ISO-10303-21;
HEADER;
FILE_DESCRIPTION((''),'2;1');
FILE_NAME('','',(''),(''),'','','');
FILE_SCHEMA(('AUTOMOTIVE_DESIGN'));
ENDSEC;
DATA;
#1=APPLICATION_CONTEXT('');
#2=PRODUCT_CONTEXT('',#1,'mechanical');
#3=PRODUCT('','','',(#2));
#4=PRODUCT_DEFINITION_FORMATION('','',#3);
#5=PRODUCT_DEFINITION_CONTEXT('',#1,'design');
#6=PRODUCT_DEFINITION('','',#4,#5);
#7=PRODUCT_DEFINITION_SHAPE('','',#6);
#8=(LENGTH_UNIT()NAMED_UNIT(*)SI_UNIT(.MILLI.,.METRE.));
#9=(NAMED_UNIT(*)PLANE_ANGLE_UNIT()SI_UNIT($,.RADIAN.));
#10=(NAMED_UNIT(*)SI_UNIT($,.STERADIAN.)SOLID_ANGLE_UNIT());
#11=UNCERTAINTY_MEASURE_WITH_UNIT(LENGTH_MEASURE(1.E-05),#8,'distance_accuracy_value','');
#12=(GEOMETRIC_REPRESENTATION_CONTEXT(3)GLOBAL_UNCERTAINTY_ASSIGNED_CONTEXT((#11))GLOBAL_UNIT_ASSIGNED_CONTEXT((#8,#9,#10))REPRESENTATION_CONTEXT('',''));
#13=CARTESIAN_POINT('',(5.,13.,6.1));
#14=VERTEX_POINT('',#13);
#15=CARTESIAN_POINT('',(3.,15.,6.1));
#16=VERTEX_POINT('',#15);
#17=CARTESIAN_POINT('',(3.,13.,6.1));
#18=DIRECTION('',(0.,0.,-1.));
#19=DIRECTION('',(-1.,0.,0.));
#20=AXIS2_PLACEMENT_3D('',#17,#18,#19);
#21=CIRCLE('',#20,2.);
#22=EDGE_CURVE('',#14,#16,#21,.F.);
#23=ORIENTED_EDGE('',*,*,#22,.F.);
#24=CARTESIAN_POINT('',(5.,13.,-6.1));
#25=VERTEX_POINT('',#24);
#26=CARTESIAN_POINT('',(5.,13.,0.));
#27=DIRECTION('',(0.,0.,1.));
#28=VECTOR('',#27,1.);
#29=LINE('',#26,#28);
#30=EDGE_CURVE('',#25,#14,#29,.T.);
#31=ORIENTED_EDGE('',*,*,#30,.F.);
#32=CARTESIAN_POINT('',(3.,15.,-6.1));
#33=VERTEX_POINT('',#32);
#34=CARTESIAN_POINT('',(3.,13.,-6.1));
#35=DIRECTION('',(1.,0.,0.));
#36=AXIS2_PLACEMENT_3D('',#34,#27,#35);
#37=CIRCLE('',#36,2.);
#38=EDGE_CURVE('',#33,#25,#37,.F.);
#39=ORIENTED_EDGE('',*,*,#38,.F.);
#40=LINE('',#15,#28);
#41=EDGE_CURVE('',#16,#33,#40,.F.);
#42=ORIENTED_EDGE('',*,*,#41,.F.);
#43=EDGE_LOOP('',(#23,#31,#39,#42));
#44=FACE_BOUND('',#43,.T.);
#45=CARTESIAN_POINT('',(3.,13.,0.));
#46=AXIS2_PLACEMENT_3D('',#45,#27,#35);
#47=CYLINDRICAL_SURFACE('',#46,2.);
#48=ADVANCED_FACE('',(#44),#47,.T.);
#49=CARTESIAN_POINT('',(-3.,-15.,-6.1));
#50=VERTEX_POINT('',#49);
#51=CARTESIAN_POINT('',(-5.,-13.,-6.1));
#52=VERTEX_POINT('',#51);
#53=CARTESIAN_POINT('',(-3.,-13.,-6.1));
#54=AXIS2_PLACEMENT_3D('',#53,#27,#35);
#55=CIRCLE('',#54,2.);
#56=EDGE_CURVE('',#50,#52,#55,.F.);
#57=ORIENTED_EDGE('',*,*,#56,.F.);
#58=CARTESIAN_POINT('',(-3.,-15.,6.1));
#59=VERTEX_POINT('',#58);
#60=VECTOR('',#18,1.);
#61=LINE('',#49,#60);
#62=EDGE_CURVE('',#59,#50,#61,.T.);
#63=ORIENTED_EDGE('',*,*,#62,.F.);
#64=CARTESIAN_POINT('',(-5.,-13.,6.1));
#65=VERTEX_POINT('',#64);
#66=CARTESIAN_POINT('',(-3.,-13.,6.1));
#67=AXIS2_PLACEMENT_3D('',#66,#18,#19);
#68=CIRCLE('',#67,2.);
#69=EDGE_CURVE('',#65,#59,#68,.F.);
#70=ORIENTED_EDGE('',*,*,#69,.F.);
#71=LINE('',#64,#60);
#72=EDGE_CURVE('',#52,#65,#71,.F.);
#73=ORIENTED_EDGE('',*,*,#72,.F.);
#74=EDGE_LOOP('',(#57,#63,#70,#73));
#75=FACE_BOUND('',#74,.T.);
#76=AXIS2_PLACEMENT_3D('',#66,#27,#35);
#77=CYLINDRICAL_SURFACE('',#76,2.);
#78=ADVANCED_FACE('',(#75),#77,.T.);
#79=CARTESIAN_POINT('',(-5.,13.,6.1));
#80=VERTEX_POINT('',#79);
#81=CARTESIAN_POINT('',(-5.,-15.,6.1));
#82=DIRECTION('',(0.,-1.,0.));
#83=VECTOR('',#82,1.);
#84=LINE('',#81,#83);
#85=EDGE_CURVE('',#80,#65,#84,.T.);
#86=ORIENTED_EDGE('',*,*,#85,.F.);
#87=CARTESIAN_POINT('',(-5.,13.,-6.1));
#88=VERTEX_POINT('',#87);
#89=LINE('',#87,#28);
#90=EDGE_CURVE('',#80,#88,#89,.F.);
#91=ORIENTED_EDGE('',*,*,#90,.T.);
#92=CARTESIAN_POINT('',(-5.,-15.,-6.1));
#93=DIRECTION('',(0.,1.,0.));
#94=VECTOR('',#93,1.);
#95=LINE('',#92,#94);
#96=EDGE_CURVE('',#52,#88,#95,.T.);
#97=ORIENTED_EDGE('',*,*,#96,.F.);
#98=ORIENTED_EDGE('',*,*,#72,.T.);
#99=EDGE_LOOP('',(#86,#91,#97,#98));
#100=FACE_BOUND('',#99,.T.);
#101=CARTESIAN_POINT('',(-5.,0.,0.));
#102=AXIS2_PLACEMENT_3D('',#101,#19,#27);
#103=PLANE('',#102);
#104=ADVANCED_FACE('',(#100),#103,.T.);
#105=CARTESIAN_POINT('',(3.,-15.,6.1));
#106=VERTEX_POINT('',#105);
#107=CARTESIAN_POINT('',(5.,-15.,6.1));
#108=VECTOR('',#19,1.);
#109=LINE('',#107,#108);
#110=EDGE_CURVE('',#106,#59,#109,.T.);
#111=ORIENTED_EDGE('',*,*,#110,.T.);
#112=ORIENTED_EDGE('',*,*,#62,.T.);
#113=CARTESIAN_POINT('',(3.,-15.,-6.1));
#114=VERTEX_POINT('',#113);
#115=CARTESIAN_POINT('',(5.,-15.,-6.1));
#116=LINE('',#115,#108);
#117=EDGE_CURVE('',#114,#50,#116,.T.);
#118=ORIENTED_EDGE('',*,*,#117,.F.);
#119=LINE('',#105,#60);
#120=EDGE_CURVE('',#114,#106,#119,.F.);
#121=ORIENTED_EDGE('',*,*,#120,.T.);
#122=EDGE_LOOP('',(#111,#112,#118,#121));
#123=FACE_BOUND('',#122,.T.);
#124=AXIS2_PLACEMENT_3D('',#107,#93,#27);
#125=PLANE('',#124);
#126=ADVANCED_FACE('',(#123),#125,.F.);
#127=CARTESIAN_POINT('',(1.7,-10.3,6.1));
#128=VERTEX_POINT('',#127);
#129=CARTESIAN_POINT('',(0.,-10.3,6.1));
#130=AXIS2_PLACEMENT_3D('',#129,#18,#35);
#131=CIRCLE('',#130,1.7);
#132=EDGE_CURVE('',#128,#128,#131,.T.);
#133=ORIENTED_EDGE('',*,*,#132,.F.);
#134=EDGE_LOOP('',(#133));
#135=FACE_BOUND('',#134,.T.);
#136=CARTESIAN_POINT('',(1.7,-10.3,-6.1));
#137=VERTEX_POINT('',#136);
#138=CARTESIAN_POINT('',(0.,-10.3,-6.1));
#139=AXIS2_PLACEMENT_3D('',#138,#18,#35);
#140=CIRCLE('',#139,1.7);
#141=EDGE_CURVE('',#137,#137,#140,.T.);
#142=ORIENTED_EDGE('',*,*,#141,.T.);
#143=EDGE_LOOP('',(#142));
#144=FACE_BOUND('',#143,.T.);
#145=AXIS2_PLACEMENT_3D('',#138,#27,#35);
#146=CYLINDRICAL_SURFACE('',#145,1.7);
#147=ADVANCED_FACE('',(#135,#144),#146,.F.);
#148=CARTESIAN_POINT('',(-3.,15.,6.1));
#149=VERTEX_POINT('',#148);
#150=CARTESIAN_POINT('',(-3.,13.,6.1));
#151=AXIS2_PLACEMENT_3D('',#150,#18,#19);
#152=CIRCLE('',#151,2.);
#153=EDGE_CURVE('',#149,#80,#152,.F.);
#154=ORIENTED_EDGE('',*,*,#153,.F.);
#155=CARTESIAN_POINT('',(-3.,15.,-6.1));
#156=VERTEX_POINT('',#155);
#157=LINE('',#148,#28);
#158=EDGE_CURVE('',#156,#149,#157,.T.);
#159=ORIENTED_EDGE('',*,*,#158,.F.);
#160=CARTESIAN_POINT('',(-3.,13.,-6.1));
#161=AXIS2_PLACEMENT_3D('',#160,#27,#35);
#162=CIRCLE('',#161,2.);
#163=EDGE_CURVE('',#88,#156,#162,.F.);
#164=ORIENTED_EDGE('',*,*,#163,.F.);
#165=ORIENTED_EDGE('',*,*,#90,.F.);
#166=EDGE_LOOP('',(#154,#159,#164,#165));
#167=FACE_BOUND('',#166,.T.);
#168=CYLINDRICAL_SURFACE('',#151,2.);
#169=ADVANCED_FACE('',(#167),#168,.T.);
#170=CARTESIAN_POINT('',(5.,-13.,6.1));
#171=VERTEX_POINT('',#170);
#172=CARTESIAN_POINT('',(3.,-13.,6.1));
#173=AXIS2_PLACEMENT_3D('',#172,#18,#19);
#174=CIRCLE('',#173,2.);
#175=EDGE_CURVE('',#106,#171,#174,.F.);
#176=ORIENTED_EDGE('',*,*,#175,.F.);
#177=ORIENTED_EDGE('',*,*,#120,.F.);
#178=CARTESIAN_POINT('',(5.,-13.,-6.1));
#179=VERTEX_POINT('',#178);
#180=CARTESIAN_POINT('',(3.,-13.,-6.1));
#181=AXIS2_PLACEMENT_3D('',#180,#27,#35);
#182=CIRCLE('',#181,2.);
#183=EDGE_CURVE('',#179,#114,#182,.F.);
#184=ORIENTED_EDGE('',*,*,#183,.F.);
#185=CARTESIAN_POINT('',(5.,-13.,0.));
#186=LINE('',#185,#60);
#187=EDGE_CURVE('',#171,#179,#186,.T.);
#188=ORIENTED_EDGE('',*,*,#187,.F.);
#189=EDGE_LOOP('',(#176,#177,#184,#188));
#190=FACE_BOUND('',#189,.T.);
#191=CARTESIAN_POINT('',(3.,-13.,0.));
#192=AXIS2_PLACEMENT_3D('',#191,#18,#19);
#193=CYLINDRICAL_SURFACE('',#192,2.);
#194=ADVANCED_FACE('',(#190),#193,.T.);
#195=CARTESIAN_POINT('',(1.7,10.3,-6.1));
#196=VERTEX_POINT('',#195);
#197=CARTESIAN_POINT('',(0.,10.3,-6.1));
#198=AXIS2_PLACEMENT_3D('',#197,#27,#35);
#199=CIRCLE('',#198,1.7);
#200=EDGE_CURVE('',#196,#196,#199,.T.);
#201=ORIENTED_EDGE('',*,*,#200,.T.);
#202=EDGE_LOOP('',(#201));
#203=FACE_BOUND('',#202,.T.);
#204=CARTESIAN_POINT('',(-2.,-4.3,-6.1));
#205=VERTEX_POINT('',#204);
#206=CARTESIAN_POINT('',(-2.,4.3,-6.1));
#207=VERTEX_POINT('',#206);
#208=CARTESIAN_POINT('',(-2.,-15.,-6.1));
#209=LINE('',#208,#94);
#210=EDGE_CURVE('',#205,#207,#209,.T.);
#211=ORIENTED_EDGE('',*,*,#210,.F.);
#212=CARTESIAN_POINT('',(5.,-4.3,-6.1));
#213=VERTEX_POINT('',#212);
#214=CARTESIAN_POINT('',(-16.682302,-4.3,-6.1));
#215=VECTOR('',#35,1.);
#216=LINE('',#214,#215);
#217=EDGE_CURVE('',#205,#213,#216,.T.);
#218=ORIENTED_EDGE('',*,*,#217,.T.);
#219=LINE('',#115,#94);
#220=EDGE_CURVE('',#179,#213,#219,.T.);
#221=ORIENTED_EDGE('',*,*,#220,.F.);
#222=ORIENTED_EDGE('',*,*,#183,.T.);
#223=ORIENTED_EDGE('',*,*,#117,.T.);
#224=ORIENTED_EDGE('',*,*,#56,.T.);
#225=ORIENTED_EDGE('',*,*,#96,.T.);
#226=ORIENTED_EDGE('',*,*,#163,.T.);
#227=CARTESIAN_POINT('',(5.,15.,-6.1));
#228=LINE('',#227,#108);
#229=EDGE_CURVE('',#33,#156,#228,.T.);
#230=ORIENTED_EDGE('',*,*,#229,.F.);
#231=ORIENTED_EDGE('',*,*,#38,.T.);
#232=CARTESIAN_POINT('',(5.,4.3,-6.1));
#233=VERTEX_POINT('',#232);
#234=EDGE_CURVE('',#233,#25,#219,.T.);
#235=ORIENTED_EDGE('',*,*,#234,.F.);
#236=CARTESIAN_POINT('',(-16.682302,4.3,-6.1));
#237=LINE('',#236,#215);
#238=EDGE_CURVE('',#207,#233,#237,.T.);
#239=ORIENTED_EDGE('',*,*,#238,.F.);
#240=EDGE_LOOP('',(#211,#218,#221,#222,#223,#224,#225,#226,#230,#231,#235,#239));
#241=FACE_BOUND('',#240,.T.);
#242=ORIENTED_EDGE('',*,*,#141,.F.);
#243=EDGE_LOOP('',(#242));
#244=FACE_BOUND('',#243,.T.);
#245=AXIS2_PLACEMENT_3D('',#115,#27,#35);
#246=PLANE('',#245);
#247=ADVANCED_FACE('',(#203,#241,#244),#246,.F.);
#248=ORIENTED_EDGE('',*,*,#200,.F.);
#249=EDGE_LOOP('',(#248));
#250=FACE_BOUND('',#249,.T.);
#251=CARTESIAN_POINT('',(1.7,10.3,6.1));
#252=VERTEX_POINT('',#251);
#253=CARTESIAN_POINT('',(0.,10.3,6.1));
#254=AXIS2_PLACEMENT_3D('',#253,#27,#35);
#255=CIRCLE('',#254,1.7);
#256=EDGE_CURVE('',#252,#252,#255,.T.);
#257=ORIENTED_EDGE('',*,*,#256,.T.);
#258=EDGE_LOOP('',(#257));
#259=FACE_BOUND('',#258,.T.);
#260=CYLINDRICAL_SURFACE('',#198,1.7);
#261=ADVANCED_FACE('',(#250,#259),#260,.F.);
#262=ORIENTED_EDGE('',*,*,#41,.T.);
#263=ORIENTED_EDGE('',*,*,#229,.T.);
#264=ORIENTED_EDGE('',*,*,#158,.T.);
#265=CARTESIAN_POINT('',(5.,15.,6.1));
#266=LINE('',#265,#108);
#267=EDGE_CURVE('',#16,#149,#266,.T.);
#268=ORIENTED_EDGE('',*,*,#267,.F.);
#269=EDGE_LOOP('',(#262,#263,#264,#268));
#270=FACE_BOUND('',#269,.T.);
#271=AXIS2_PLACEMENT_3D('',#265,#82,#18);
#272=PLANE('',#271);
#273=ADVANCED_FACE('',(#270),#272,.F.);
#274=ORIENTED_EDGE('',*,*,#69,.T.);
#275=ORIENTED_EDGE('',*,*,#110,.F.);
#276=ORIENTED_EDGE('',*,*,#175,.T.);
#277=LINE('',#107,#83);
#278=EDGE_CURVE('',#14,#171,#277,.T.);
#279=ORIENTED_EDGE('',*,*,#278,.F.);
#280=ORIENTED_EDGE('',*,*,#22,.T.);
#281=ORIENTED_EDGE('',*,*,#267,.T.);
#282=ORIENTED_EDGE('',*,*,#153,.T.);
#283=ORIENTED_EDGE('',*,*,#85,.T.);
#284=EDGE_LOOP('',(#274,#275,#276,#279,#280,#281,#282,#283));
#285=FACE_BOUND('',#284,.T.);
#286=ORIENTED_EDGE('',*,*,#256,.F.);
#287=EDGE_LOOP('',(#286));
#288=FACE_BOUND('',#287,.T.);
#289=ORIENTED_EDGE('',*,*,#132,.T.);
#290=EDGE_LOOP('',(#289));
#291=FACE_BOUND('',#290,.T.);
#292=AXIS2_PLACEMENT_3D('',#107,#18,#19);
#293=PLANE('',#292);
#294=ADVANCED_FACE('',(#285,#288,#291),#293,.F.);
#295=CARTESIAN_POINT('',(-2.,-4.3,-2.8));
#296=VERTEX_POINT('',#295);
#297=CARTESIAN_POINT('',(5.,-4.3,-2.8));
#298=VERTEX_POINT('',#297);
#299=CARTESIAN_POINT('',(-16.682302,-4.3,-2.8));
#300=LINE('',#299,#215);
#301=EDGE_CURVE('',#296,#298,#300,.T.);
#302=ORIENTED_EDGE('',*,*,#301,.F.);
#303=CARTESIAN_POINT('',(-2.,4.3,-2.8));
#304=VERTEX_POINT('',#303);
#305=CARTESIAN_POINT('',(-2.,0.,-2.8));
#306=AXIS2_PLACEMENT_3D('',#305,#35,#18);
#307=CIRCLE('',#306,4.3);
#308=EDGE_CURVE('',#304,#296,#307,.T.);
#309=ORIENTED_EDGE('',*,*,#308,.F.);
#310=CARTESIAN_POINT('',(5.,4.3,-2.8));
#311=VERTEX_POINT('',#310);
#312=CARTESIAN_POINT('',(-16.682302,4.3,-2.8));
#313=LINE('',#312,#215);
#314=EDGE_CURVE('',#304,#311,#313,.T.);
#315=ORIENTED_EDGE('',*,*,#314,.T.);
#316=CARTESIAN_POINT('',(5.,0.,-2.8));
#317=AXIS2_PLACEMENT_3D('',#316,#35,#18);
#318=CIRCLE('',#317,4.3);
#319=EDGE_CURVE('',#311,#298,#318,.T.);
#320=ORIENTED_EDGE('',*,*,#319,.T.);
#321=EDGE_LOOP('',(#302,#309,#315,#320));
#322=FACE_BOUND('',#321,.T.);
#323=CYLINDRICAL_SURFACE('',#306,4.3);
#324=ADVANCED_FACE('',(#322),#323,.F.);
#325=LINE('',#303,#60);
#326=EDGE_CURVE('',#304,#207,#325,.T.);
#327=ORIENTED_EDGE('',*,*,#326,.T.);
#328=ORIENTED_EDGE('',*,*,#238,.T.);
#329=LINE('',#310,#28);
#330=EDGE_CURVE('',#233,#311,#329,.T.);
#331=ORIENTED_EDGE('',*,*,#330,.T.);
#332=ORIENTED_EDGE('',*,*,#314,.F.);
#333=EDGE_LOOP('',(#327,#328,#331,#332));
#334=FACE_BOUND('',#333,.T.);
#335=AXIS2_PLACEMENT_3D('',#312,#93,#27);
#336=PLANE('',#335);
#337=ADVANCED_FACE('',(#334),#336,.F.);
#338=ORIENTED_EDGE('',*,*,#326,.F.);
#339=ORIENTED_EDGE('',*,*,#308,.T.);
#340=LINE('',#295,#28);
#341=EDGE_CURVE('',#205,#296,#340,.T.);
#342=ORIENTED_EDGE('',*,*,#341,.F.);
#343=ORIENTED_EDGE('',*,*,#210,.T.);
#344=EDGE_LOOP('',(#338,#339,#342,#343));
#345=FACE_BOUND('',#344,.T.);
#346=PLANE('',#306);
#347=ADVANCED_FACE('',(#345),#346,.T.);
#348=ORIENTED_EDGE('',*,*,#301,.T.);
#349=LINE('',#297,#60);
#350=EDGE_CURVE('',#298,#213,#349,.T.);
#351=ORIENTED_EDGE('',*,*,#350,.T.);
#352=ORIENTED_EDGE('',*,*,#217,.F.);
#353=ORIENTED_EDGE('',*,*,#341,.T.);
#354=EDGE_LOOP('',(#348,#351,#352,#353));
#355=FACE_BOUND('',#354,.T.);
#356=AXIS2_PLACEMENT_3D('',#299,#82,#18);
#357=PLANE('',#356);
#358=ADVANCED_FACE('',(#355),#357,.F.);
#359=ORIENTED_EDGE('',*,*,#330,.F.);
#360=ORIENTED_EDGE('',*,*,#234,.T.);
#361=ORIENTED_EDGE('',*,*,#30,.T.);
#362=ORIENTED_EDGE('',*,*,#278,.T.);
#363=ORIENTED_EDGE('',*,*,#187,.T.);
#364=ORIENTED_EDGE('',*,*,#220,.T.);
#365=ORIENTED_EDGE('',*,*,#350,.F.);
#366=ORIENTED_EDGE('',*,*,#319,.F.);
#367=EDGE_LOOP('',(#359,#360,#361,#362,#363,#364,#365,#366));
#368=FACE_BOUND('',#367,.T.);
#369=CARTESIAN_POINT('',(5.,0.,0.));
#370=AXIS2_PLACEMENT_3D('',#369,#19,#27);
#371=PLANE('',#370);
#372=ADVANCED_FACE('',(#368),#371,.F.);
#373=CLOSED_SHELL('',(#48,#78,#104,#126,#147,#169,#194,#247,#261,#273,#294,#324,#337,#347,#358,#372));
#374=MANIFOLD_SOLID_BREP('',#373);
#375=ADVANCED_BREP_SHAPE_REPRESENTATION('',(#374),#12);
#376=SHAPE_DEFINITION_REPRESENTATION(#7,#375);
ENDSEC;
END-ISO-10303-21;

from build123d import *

# Parameters (mm, degrees)
SKETCH1_W           = 12.2
SKETCH1_H           = 30
BOSS_EXTRUDE1_DEPTH = 5
SKETCH5_R           = 4.3
CUT_EXTRUDE2_DEPTH  = 7
SKETCH3_R           = 1.7
CUT_EXTRUDE1_DEPTH  = 20.970978944
FILLET1_R           = 2
FILLET2_R           = 0.1
CUT_EXTRUDE3_DEPTH  = 7


with BuildPart() as part:
    # Sketch1 → Boss-Extrude1 (new, symmetric)
    with BuildSketch(Plane(origin=(0, 0, 0), x_dir=(0, 0, -1), z_dir=(1, 0, 0))):
        Rectangle(SKETCH1_W, SKETCH1_H)
    extrude(amount=BOSS_EXTRUDE1_DEPTH, both=True)

    # Sketch5 → Cut-Extrude2 (cut)
    with BuildSketch(Plane(origin=(5, 0, 0), x_dir=(0, 0, -1), z_dir=(1, 0, 0))):
        with Locations((2.8, 0)):
            Circle(SKETCH5_R)
    extrude(amount=-CUT_EXTRUDE2_DEPTH, mode=Mode.SUBTRACT)

    # Sketch3 → Cut-Extrude1 (cut, through all)
    with BuildSketch(Plane.XY.offset(6.1)):
        with Locations((0, 10.3)):
            Circle(SKETCH3_R)
    cut_extrude1 = extrude(amount=-CUT_EXTRUDE1_DEPTH, mode=Mode.SUBTRACT)

    # Mirror1: Cut-Extrude1 across plane
    add(cut_extrude1.mirror(Plane.ZX), mode=Mode.SUBTRACT)

    # Fillet1
    fillet1_edges = [part.edges().sort_by_distance(p)[0] for p in [
        (5, -15, 0),
        (-5, -15, 0),
        (-5, 15, 0),
        (5, 15, 0),
    ]]
    fillet(fillet1_edges, radius=FILLET1_R)

    # Fillet2
    fillet2_edges = [part.edges().sort_by_distance(p)[0] for p in [
        (1.5, -2.75680975, -6.1),
        (1.5, 2.75680975, -6.1),
    ]]
    fillet(fillet2_edges, radius=FILLET2_R)

    # Sketch6 → Cut-Extrude3 (cut)
    with BuildSketch(Plane(origin=(5, 0, 0), x_dir=(0, 0, -1), z_dir=(1, 0, 0))):
        with BuildLine():
            Line((2.8, 4.3), (6.1, 4.3))
            ThreePointArc((6.1, 4.3), (10.4, 0), (6.1, -4.3))
            Line((6.1, -4.3), (2.8, -4.3))
            ThreePointArc((2.8, -4.3), (-1.5, 0), (2.8, 4.3))
        make_face()
    extrude(amount=-CUT_EXTRUDE3_DEPTH, mode=Mode.SUBTRACT)


solid = part.part
